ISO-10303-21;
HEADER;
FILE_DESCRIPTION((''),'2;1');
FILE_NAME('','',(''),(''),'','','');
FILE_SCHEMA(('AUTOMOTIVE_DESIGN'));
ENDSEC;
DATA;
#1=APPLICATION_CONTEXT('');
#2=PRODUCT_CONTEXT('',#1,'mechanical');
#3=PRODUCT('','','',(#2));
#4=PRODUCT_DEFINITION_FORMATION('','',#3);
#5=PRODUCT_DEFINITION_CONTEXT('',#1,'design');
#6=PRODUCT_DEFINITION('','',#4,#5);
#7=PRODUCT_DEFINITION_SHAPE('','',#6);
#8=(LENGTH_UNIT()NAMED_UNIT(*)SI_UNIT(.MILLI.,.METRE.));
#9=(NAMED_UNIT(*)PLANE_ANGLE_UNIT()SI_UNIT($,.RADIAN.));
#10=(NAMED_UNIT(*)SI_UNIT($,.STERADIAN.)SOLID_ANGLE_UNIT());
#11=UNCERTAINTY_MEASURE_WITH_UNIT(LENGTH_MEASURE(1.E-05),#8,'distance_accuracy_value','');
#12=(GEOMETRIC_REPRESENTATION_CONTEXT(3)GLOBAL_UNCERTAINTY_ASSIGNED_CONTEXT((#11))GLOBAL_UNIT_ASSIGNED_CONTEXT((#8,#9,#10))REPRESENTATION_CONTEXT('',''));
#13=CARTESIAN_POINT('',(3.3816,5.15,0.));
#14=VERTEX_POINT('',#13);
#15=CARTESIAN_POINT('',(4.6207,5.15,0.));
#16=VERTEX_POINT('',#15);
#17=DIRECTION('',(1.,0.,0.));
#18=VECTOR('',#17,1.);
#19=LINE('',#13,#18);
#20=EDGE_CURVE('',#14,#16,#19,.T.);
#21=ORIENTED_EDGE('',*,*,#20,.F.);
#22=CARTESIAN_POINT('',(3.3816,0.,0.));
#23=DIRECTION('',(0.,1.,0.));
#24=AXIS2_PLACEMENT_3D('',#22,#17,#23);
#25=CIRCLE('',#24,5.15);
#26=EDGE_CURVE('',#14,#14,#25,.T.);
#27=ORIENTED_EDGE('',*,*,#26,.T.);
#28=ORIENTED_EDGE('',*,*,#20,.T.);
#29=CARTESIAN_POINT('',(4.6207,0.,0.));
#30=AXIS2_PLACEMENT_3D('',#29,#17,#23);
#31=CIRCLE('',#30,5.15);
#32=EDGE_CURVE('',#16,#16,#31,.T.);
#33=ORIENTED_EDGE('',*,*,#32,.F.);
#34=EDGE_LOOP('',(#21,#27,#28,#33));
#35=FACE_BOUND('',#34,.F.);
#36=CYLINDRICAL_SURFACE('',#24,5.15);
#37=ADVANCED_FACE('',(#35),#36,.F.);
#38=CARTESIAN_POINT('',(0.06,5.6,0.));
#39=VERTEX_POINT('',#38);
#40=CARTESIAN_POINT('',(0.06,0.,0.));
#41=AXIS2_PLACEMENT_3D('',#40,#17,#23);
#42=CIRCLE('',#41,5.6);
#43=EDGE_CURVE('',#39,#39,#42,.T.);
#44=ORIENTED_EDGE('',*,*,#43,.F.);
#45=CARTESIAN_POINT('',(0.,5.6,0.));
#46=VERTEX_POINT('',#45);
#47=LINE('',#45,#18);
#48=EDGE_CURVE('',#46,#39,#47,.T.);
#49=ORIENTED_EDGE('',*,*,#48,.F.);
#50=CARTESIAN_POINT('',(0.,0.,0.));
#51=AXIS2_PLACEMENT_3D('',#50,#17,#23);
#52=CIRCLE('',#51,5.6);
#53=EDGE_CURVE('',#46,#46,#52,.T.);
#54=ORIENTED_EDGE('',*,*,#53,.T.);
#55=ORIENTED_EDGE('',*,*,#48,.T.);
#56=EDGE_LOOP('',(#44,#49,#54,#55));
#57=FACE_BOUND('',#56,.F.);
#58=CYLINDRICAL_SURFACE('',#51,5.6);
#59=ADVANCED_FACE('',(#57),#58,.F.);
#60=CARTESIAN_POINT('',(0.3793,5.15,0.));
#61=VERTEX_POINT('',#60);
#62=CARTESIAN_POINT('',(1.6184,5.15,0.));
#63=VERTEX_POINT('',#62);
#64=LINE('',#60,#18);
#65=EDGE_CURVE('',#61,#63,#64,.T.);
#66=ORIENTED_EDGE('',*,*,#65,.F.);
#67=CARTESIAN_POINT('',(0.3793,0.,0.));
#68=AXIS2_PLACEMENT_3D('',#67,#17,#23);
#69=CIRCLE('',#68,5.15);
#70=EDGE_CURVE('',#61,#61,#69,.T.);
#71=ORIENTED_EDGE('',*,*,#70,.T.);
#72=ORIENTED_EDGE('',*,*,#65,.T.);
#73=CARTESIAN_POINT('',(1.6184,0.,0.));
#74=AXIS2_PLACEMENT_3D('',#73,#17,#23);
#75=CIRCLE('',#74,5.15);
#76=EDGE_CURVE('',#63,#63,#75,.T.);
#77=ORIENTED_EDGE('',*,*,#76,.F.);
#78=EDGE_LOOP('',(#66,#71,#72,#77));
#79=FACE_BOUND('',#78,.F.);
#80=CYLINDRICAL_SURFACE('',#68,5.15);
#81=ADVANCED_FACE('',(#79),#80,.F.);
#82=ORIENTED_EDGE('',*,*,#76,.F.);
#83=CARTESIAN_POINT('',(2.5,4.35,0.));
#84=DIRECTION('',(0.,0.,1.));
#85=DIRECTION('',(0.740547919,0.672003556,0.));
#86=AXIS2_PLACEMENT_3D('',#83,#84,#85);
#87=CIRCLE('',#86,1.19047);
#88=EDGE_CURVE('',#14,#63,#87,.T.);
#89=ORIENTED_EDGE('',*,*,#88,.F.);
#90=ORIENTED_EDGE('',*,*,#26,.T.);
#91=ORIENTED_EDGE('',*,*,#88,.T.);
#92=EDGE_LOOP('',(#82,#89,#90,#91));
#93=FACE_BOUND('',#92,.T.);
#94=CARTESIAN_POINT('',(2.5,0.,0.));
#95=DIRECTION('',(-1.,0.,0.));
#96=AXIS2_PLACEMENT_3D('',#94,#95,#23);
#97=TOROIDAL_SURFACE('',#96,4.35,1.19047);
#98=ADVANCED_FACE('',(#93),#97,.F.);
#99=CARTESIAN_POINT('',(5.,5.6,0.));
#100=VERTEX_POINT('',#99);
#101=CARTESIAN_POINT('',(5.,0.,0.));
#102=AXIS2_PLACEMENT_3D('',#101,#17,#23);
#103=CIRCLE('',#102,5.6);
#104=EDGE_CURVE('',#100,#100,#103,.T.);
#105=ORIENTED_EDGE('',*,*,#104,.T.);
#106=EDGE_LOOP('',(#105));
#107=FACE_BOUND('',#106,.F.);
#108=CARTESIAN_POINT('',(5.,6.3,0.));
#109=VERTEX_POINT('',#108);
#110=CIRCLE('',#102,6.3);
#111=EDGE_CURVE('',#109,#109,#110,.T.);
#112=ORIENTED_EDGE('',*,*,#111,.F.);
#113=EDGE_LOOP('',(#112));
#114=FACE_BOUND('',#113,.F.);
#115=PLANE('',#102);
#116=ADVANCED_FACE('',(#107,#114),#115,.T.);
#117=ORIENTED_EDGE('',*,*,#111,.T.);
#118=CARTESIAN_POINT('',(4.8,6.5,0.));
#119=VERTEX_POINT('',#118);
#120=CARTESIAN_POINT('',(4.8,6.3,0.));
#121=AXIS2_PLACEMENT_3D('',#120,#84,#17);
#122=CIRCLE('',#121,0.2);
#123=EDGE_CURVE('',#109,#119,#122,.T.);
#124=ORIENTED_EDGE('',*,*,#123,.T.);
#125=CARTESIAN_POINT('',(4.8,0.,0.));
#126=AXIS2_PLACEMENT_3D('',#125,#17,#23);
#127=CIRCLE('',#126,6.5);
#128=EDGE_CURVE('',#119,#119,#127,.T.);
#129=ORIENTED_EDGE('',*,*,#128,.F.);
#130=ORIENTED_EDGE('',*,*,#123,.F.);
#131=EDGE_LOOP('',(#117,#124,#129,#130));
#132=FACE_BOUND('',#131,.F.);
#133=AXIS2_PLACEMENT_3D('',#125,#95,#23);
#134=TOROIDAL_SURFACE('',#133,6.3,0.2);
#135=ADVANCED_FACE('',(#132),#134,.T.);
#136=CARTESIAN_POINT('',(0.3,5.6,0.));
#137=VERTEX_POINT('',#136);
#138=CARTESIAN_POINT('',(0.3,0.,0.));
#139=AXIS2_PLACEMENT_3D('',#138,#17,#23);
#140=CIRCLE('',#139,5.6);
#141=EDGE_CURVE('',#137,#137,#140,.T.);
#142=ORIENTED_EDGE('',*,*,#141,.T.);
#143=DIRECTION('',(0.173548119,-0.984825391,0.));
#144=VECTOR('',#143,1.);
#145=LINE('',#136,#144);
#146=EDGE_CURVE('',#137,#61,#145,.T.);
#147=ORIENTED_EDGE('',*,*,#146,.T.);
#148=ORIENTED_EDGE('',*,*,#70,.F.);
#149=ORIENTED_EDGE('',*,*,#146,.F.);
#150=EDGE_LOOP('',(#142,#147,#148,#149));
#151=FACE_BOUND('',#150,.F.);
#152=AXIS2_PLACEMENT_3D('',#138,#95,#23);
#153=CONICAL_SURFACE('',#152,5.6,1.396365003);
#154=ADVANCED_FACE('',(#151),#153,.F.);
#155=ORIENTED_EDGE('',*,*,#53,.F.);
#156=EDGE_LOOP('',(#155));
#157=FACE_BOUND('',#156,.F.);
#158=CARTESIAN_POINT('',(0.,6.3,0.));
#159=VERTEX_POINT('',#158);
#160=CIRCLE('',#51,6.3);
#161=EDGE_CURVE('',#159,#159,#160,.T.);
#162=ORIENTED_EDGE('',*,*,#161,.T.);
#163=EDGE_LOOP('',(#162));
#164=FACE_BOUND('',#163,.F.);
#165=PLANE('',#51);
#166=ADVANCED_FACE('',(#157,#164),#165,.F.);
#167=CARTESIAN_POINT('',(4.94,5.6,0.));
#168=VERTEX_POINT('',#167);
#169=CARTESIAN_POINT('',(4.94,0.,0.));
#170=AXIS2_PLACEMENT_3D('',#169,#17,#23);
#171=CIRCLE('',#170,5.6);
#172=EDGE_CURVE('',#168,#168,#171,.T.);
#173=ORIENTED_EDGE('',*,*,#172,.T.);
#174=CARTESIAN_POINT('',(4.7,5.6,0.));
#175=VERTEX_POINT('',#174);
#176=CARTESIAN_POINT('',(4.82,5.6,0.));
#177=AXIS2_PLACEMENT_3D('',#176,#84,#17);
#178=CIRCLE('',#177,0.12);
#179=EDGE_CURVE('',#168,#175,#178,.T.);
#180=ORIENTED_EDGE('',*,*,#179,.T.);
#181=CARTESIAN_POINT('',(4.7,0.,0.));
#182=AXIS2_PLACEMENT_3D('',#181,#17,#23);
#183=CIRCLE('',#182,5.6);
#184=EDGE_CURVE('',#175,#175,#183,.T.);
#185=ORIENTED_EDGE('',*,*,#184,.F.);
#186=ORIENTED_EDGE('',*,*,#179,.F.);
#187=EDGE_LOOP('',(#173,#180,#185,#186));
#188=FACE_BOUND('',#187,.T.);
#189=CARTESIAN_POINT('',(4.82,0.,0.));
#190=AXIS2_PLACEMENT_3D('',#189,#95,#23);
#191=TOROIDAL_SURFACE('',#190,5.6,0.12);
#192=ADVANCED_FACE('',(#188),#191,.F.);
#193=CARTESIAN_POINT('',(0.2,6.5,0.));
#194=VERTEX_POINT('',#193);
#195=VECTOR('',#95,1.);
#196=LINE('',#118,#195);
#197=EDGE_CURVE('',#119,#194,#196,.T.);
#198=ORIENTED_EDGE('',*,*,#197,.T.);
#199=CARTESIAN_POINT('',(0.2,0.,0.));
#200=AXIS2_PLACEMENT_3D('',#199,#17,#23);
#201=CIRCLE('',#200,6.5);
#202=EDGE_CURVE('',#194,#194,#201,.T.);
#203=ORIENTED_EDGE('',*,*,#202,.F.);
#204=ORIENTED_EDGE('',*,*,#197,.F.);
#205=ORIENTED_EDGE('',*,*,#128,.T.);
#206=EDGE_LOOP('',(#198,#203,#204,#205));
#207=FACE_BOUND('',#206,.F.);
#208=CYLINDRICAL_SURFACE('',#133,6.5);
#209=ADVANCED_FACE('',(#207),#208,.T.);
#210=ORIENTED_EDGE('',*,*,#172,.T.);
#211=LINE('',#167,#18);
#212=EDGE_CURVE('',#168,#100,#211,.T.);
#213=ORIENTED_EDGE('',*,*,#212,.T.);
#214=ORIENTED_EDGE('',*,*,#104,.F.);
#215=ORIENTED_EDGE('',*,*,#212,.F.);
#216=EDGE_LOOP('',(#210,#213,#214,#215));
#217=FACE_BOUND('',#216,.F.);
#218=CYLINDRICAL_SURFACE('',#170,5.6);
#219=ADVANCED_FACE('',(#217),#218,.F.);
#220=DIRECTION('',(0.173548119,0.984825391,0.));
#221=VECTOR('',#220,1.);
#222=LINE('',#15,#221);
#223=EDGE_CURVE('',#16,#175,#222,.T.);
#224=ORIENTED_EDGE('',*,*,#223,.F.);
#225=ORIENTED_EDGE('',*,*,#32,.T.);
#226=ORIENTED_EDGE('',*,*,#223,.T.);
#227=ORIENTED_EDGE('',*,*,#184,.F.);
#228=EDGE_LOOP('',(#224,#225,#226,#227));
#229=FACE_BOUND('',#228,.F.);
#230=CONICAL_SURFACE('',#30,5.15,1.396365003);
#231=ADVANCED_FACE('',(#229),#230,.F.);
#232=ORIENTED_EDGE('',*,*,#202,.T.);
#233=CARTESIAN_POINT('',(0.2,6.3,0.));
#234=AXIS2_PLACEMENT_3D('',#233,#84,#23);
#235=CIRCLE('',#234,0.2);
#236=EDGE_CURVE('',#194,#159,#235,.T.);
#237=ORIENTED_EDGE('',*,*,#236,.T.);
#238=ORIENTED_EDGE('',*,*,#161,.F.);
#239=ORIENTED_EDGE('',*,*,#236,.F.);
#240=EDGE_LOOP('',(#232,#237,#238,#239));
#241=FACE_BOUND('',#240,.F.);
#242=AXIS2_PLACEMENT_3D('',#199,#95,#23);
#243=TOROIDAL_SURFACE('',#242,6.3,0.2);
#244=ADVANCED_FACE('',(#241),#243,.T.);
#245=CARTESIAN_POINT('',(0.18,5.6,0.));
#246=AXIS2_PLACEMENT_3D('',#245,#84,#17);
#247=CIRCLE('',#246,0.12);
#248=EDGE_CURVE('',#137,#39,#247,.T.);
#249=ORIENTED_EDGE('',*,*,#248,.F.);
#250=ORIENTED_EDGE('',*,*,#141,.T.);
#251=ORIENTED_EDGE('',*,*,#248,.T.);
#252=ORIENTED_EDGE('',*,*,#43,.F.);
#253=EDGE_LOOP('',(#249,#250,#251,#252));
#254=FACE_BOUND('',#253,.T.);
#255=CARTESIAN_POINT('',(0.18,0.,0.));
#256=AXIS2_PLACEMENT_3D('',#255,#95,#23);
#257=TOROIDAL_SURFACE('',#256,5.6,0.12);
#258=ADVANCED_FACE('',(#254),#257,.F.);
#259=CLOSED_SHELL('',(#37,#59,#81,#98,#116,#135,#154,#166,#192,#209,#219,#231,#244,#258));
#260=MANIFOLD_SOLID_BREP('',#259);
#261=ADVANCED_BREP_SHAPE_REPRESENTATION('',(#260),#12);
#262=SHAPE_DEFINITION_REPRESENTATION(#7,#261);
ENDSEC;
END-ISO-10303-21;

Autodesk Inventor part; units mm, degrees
ref_plane "YZ Plane" through (0, 0, 0) normal (1, 0, 0) x (0, 1, 0)
ref_plane "XZ Plane" through (0, 0, 0) normal (0, 1, 0) x (-1, 0, 0)
ref_plane "XY Plane" through (0, 0, 0) normal (0, 0, 1) x (1, 0, 0)
sketch "Sketch_22" plane through (0, 0, 0) normal (0, 0, 1) x (1, 0, 0)
  line L0 (50, 0) -> (-50, 0)
  line L1 (0, 5.6) -> (0.06, 5.6)
  arc A0 (0.3, 5.6) -> (0.06, 5.6) centre (0.18, 5.6) ccw
  line L2 (0.3, 5.6) -> (0.3793, 5.15)
  line L3 (0.3793, 5.15) -> (1.6184, 5.15)
  arc A1 (3.3816, 5.15) -> (1.6184, 5.15) centre (2.5, 4.35) ccw
  line L4 (3.3816, 5.15) -> (4.6207, 5.15)
  line L5 (4.6207, 5.15) -> (4.7, 5.6)
  arc A2 (4.94, 5.6) -> (4.7, 5.6) centre (4.82, 5.6) ccw
  line L6 (4.94, 5.6) -> (5, 5.6)
  line L7 (5, 5.6) -> (5, 6.3)
  arc A3 (5, 6.3) -> (4.8, 6.5) centre (4.8, 6.3) ccw
  line L8 (4.8, 6.5) -> (0.2, 6.5)
  arc A4 (0.2, 6.5) -> (0, 6.3) centre (0.2, 6.3) ccw
  line L9 (0, 6.3) -> (0, 5.6)
revolve "Revolution1" add sketch "Sketch_22" angle 360 about axis through (50, 0, 0) along (1, 0, 0)
properties part number "SKF_624-2Z_PART2"
